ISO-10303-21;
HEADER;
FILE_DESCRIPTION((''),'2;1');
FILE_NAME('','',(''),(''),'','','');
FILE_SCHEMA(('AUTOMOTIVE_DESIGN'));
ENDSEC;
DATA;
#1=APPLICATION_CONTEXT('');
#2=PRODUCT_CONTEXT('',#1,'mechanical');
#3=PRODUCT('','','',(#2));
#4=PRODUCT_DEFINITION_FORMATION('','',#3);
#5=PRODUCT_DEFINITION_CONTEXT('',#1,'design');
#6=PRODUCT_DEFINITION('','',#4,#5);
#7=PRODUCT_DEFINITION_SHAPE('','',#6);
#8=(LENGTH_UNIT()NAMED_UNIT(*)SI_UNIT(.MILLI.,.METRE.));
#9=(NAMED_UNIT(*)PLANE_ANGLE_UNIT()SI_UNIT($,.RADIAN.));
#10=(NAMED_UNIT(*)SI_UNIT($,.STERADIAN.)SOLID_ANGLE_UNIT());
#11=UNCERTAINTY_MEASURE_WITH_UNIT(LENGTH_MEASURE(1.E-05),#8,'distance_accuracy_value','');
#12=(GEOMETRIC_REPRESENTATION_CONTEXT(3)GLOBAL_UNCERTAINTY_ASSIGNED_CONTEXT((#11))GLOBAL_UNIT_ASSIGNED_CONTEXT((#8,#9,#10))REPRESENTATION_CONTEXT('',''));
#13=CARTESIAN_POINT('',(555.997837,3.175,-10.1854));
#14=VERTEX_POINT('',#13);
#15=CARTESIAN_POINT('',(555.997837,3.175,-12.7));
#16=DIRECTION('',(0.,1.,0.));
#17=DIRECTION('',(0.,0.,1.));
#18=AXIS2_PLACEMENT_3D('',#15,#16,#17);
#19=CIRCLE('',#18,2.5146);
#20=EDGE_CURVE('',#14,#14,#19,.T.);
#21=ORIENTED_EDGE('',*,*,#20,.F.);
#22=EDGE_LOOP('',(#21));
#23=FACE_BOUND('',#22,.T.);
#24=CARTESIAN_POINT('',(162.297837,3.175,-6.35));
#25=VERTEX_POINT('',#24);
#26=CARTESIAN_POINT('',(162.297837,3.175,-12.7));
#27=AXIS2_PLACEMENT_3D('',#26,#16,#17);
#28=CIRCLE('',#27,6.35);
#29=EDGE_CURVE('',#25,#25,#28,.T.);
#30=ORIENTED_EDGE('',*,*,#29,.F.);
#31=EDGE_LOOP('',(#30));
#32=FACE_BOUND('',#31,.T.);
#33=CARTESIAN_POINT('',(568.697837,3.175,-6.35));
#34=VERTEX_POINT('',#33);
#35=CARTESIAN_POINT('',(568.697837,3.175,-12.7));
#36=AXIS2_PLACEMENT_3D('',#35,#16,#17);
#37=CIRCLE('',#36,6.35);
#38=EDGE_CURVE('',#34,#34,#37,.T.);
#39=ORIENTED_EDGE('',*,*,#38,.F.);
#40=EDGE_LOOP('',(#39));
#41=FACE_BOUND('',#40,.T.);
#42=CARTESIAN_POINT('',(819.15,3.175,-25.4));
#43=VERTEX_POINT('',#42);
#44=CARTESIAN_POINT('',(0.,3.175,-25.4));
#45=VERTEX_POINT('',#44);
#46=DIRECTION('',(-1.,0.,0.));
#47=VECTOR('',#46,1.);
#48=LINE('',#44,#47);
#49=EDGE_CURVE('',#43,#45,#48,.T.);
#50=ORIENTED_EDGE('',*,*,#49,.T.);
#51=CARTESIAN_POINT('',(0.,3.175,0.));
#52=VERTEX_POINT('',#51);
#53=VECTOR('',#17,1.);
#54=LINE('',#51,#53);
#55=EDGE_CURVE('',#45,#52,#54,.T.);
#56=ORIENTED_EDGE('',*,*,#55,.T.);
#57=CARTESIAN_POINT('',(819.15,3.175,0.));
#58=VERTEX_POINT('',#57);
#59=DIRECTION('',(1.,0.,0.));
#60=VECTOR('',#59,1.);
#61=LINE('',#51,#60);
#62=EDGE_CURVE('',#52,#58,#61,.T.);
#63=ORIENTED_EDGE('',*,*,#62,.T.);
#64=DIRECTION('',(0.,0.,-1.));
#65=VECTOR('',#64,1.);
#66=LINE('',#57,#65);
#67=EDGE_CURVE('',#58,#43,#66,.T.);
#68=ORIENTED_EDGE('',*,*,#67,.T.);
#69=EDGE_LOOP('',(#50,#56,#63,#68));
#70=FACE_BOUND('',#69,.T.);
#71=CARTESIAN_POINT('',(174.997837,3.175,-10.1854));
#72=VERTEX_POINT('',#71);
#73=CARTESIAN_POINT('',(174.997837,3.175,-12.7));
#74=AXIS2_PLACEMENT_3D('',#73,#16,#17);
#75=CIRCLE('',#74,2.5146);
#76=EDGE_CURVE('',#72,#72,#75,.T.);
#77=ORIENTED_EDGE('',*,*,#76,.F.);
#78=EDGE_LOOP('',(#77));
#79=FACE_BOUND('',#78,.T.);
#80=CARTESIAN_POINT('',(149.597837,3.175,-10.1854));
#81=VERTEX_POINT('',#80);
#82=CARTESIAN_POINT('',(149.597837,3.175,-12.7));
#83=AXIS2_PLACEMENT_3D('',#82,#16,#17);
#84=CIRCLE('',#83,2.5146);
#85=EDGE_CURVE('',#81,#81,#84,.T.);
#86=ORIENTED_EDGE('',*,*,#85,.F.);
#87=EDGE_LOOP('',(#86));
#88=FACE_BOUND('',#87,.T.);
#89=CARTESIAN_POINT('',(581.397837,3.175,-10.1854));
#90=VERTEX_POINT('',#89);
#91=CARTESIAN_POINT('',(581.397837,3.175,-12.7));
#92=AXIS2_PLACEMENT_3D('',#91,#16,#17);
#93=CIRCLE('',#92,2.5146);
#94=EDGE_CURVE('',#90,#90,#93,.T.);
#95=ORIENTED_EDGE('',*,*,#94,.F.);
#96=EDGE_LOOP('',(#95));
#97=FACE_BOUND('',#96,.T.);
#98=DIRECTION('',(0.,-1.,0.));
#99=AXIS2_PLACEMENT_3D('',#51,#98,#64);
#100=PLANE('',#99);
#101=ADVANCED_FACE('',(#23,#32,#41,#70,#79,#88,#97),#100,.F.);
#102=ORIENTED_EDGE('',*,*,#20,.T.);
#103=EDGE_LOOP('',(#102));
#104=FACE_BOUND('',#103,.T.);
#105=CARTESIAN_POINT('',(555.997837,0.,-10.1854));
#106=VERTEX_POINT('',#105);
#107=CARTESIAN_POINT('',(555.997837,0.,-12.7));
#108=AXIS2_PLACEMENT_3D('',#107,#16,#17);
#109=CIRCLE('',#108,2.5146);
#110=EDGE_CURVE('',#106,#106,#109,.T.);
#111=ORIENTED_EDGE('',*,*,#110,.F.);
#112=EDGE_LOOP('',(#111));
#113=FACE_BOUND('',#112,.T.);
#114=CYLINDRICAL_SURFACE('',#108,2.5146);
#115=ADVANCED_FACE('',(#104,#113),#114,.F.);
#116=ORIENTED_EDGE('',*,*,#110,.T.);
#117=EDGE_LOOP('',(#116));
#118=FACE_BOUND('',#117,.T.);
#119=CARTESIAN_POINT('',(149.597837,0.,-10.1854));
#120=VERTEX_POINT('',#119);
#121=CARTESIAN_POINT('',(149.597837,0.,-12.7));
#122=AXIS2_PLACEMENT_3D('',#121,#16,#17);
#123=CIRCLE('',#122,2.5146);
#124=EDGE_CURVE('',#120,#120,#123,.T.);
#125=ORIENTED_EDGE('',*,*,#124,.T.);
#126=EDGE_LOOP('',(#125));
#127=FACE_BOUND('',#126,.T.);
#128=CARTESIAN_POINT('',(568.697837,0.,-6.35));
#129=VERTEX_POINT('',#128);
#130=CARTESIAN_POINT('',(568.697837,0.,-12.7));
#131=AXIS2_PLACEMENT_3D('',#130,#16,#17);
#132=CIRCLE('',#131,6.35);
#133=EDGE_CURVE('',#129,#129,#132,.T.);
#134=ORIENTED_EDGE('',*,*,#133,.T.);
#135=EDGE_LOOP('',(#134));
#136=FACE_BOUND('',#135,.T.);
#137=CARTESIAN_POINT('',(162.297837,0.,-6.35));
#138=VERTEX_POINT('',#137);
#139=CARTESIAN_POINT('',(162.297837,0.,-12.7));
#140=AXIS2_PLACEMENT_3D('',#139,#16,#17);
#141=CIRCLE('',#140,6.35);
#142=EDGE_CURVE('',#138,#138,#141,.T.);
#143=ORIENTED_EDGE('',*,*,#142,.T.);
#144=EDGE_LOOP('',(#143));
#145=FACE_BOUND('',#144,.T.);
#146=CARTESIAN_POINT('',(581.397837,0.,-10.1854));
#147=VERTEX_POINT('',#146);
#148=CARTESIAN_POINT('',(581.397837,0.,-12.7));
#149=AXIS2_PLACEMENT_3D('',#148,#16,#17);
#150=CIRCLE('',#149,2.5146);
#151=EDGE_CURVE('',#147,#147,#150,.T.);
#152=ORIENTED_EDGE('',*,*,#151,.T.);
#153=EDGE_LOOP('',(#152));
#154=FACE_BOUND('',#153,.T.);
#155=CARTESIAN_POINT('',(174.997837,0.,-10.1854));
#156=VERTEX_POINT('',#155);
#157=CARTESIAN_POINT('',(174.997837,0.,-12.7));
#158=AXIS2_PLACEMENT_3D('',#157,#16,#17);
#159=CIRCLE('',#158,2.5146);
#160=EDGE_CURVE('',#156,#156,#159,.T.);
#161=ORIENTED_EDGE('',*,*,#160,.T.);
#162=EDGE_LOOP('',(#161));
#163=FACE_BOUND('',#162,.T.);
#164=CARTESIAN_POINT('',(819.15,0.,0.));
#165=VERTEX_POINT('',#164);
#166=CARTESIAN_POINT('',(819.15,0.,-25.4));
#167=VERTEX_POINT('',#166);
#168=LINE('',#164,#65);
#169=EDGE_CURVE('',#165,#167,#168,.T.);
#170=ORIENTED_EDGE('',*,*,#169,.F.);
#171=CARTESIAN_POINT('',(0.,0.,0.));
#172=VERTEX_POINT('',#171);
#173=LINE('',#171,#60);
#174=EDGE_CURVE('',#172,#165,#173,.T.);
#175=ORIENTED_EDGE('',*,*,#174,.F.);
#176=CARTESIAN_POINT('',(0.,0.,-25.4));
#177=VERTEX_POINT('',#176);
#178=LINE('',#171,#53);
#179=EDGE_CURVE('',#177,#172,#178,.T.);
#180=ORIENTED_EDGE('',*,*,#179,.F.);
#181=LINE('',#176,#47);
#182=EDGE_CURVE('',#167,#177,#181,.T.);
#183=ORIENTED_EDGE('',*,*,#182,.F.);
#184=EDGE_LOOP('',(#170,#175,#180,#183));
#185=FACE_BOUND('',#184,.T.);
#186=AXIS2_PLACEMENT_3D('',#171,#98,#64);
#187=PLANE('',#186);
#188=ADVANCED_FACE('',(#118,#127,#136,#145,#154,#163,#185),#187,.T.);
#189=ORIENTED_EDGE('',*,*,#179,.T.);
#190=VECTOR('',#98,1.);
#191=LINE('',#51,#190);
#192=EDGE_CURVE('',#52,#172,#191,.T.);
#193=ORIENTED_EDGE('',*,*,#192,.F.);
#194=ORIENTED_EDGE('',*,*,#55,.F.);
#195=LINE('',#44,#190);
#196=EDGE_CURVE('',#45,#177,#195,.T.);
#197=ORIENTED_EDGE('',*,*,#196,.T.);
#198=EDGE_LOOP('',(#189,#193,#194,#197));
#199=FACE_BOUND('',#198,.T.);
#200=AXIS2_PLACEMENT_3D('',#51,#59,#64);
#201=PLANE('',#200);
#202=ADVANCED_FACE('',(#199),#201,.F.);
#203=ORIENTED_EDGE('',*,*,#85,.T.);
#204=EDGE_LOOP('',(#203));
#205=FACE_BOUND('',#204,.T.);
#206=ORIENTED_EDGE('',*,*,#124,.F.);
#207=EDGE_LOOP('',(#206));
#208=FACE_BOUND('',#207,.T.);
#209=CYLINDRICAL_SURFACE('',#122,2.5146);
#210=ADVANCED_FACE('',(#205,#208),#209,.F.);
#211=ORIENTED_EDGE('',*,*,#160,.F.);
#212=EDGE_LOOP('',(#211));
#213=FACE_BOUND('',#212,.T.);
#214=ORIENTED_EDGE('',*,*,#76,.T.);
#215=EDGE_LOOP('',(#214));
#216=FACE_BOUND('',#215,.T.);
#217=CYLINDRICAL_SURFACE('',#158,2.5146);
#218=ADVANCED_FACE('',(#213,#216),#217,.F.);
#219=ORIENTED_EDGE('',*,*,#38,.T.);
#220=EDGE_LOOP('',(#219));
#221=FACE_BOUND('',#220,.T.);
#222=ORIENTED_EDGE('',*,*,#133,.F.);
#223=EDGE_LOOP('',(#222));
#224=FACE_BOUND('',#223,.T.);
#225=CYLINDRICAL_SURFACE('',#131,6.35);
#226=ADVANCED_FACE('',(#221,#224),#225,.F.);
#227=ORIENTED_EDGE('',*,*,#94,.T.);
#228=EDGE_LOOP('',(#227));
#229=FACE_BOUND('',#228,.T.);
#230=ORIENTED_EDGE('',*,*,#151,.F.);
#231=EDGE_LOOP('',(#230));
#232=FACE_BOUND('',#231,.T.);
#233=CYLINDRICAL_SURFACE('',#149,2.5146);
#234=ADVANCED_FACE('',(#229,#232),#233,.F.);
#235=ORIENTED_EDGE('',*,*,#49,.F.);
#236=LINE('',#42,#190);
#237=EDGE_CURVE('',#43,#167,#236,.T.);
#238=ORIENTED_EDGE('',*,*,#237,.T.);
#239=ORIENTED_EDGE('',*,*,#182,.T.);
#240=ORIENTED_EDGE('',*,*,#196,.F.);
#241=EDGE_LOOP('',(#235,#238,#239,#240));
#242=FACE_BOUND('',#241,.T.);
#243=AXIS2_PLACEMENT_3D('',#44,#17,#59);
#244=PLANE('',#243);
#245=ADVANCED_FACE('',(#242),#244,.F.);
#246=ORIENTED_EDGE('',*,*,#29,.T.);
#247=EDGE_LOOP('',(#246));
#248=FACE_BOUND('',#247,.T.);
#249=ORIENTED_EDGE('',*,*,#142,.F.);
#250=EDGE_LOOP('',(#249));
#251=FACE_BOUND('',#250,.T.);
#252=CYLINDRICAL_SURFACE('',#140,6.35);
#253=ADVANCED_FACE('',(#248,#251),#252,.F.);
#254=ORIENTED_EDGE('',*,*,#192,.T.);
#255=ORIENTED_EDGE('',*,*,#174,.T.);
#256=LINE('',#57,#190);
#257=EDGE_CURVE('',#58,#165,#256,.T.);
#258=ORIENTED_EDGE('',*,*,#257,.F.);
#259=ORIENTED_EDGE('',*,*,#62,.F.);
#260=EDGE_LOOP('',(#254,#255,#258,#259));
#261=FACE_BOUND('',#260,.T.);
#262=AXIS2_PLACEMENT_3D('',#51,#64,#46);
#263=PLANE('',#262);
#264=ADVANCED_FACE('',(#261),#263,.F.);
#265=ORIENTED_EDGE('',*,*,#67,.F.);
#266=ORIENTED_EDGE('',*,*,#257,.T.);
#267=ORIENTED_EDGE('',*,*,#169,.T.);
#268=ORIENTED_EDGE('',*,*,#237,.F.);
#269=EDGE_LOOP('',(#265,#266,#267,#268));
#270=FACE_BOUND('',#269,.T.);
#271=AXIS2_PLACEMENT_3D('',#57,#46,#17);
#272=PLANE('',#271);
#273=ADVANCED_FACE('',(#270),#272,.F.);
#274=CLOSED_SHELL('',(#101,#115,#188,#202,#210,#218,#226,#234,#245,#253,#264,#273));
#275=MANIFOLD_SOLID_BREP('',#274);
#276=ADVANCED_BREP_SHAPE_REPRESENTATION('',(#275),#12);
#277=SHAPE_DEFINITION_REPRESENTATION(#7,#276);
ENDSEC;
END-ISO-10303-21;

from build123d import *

# Parameters (mm, degrees)
SKETCH1_W           = 819.15
SKETCH1_H           = 25.4
BOSS_EXTRUDE1_DEPTH = 3.175
SKETCH2_R           = 2.5146
SKETCH2_R_2         = 6.35
CUT_EXTRUDE1_DEPTH  = 820.549853959


with BuildPart() as part:
    # Sketch1 → Boss-Extrude1 (new body)
    with BuildSketch(Plane(origin=(0, 0, 0), x_dir=(1, 0, 0), z_dir=(0, 1, 0))):
        with Locations((409.575, 12.7)):
            Rectangle(SKETCH1_W, SKETCH1_H)
    extrude(amount=BOSS_EXTRUDE1_DEPTH)

    # Sketch2 → Cut-Extrude1 (cut, through all)
    with BuildSketch(Plane(origin=(0, 3.175, 0), x_dir=(1, 0, 0), z_dir=(0, 1, 0))):
        with Locations(Location((149.597837435, 12.7, 0), (0, 0, 270))):
            Circle(SKETCH2_R)
        with Locations(Location((174.997837435, 12.7, 0), (0, 0, 270))):
            Circle(SKETCH2_R)
        with Locations(Location((555.997837435, 12.7, 0), (0, 0, 270))):
            Circle(SKETCH2_R)
        with Locations(Location((581.397837435, 12.7, 0), (0, 0, 270))):
            Circle(SKETCH2_R)
        with Locations(Location((162.297837435, 12.7, 0), (0, 0, 270))):
            Circle(SKETCH2_R_2)
        with Locations(Location((568.697837435, 12.7, 0), (0, 0, 270))):
            Circle(SKETCH2_R_2)
    extrude(amount=-CUT_EXTRUDE1_DEPTH, mode=Mode.SUBTRACT)


solid = part.part
